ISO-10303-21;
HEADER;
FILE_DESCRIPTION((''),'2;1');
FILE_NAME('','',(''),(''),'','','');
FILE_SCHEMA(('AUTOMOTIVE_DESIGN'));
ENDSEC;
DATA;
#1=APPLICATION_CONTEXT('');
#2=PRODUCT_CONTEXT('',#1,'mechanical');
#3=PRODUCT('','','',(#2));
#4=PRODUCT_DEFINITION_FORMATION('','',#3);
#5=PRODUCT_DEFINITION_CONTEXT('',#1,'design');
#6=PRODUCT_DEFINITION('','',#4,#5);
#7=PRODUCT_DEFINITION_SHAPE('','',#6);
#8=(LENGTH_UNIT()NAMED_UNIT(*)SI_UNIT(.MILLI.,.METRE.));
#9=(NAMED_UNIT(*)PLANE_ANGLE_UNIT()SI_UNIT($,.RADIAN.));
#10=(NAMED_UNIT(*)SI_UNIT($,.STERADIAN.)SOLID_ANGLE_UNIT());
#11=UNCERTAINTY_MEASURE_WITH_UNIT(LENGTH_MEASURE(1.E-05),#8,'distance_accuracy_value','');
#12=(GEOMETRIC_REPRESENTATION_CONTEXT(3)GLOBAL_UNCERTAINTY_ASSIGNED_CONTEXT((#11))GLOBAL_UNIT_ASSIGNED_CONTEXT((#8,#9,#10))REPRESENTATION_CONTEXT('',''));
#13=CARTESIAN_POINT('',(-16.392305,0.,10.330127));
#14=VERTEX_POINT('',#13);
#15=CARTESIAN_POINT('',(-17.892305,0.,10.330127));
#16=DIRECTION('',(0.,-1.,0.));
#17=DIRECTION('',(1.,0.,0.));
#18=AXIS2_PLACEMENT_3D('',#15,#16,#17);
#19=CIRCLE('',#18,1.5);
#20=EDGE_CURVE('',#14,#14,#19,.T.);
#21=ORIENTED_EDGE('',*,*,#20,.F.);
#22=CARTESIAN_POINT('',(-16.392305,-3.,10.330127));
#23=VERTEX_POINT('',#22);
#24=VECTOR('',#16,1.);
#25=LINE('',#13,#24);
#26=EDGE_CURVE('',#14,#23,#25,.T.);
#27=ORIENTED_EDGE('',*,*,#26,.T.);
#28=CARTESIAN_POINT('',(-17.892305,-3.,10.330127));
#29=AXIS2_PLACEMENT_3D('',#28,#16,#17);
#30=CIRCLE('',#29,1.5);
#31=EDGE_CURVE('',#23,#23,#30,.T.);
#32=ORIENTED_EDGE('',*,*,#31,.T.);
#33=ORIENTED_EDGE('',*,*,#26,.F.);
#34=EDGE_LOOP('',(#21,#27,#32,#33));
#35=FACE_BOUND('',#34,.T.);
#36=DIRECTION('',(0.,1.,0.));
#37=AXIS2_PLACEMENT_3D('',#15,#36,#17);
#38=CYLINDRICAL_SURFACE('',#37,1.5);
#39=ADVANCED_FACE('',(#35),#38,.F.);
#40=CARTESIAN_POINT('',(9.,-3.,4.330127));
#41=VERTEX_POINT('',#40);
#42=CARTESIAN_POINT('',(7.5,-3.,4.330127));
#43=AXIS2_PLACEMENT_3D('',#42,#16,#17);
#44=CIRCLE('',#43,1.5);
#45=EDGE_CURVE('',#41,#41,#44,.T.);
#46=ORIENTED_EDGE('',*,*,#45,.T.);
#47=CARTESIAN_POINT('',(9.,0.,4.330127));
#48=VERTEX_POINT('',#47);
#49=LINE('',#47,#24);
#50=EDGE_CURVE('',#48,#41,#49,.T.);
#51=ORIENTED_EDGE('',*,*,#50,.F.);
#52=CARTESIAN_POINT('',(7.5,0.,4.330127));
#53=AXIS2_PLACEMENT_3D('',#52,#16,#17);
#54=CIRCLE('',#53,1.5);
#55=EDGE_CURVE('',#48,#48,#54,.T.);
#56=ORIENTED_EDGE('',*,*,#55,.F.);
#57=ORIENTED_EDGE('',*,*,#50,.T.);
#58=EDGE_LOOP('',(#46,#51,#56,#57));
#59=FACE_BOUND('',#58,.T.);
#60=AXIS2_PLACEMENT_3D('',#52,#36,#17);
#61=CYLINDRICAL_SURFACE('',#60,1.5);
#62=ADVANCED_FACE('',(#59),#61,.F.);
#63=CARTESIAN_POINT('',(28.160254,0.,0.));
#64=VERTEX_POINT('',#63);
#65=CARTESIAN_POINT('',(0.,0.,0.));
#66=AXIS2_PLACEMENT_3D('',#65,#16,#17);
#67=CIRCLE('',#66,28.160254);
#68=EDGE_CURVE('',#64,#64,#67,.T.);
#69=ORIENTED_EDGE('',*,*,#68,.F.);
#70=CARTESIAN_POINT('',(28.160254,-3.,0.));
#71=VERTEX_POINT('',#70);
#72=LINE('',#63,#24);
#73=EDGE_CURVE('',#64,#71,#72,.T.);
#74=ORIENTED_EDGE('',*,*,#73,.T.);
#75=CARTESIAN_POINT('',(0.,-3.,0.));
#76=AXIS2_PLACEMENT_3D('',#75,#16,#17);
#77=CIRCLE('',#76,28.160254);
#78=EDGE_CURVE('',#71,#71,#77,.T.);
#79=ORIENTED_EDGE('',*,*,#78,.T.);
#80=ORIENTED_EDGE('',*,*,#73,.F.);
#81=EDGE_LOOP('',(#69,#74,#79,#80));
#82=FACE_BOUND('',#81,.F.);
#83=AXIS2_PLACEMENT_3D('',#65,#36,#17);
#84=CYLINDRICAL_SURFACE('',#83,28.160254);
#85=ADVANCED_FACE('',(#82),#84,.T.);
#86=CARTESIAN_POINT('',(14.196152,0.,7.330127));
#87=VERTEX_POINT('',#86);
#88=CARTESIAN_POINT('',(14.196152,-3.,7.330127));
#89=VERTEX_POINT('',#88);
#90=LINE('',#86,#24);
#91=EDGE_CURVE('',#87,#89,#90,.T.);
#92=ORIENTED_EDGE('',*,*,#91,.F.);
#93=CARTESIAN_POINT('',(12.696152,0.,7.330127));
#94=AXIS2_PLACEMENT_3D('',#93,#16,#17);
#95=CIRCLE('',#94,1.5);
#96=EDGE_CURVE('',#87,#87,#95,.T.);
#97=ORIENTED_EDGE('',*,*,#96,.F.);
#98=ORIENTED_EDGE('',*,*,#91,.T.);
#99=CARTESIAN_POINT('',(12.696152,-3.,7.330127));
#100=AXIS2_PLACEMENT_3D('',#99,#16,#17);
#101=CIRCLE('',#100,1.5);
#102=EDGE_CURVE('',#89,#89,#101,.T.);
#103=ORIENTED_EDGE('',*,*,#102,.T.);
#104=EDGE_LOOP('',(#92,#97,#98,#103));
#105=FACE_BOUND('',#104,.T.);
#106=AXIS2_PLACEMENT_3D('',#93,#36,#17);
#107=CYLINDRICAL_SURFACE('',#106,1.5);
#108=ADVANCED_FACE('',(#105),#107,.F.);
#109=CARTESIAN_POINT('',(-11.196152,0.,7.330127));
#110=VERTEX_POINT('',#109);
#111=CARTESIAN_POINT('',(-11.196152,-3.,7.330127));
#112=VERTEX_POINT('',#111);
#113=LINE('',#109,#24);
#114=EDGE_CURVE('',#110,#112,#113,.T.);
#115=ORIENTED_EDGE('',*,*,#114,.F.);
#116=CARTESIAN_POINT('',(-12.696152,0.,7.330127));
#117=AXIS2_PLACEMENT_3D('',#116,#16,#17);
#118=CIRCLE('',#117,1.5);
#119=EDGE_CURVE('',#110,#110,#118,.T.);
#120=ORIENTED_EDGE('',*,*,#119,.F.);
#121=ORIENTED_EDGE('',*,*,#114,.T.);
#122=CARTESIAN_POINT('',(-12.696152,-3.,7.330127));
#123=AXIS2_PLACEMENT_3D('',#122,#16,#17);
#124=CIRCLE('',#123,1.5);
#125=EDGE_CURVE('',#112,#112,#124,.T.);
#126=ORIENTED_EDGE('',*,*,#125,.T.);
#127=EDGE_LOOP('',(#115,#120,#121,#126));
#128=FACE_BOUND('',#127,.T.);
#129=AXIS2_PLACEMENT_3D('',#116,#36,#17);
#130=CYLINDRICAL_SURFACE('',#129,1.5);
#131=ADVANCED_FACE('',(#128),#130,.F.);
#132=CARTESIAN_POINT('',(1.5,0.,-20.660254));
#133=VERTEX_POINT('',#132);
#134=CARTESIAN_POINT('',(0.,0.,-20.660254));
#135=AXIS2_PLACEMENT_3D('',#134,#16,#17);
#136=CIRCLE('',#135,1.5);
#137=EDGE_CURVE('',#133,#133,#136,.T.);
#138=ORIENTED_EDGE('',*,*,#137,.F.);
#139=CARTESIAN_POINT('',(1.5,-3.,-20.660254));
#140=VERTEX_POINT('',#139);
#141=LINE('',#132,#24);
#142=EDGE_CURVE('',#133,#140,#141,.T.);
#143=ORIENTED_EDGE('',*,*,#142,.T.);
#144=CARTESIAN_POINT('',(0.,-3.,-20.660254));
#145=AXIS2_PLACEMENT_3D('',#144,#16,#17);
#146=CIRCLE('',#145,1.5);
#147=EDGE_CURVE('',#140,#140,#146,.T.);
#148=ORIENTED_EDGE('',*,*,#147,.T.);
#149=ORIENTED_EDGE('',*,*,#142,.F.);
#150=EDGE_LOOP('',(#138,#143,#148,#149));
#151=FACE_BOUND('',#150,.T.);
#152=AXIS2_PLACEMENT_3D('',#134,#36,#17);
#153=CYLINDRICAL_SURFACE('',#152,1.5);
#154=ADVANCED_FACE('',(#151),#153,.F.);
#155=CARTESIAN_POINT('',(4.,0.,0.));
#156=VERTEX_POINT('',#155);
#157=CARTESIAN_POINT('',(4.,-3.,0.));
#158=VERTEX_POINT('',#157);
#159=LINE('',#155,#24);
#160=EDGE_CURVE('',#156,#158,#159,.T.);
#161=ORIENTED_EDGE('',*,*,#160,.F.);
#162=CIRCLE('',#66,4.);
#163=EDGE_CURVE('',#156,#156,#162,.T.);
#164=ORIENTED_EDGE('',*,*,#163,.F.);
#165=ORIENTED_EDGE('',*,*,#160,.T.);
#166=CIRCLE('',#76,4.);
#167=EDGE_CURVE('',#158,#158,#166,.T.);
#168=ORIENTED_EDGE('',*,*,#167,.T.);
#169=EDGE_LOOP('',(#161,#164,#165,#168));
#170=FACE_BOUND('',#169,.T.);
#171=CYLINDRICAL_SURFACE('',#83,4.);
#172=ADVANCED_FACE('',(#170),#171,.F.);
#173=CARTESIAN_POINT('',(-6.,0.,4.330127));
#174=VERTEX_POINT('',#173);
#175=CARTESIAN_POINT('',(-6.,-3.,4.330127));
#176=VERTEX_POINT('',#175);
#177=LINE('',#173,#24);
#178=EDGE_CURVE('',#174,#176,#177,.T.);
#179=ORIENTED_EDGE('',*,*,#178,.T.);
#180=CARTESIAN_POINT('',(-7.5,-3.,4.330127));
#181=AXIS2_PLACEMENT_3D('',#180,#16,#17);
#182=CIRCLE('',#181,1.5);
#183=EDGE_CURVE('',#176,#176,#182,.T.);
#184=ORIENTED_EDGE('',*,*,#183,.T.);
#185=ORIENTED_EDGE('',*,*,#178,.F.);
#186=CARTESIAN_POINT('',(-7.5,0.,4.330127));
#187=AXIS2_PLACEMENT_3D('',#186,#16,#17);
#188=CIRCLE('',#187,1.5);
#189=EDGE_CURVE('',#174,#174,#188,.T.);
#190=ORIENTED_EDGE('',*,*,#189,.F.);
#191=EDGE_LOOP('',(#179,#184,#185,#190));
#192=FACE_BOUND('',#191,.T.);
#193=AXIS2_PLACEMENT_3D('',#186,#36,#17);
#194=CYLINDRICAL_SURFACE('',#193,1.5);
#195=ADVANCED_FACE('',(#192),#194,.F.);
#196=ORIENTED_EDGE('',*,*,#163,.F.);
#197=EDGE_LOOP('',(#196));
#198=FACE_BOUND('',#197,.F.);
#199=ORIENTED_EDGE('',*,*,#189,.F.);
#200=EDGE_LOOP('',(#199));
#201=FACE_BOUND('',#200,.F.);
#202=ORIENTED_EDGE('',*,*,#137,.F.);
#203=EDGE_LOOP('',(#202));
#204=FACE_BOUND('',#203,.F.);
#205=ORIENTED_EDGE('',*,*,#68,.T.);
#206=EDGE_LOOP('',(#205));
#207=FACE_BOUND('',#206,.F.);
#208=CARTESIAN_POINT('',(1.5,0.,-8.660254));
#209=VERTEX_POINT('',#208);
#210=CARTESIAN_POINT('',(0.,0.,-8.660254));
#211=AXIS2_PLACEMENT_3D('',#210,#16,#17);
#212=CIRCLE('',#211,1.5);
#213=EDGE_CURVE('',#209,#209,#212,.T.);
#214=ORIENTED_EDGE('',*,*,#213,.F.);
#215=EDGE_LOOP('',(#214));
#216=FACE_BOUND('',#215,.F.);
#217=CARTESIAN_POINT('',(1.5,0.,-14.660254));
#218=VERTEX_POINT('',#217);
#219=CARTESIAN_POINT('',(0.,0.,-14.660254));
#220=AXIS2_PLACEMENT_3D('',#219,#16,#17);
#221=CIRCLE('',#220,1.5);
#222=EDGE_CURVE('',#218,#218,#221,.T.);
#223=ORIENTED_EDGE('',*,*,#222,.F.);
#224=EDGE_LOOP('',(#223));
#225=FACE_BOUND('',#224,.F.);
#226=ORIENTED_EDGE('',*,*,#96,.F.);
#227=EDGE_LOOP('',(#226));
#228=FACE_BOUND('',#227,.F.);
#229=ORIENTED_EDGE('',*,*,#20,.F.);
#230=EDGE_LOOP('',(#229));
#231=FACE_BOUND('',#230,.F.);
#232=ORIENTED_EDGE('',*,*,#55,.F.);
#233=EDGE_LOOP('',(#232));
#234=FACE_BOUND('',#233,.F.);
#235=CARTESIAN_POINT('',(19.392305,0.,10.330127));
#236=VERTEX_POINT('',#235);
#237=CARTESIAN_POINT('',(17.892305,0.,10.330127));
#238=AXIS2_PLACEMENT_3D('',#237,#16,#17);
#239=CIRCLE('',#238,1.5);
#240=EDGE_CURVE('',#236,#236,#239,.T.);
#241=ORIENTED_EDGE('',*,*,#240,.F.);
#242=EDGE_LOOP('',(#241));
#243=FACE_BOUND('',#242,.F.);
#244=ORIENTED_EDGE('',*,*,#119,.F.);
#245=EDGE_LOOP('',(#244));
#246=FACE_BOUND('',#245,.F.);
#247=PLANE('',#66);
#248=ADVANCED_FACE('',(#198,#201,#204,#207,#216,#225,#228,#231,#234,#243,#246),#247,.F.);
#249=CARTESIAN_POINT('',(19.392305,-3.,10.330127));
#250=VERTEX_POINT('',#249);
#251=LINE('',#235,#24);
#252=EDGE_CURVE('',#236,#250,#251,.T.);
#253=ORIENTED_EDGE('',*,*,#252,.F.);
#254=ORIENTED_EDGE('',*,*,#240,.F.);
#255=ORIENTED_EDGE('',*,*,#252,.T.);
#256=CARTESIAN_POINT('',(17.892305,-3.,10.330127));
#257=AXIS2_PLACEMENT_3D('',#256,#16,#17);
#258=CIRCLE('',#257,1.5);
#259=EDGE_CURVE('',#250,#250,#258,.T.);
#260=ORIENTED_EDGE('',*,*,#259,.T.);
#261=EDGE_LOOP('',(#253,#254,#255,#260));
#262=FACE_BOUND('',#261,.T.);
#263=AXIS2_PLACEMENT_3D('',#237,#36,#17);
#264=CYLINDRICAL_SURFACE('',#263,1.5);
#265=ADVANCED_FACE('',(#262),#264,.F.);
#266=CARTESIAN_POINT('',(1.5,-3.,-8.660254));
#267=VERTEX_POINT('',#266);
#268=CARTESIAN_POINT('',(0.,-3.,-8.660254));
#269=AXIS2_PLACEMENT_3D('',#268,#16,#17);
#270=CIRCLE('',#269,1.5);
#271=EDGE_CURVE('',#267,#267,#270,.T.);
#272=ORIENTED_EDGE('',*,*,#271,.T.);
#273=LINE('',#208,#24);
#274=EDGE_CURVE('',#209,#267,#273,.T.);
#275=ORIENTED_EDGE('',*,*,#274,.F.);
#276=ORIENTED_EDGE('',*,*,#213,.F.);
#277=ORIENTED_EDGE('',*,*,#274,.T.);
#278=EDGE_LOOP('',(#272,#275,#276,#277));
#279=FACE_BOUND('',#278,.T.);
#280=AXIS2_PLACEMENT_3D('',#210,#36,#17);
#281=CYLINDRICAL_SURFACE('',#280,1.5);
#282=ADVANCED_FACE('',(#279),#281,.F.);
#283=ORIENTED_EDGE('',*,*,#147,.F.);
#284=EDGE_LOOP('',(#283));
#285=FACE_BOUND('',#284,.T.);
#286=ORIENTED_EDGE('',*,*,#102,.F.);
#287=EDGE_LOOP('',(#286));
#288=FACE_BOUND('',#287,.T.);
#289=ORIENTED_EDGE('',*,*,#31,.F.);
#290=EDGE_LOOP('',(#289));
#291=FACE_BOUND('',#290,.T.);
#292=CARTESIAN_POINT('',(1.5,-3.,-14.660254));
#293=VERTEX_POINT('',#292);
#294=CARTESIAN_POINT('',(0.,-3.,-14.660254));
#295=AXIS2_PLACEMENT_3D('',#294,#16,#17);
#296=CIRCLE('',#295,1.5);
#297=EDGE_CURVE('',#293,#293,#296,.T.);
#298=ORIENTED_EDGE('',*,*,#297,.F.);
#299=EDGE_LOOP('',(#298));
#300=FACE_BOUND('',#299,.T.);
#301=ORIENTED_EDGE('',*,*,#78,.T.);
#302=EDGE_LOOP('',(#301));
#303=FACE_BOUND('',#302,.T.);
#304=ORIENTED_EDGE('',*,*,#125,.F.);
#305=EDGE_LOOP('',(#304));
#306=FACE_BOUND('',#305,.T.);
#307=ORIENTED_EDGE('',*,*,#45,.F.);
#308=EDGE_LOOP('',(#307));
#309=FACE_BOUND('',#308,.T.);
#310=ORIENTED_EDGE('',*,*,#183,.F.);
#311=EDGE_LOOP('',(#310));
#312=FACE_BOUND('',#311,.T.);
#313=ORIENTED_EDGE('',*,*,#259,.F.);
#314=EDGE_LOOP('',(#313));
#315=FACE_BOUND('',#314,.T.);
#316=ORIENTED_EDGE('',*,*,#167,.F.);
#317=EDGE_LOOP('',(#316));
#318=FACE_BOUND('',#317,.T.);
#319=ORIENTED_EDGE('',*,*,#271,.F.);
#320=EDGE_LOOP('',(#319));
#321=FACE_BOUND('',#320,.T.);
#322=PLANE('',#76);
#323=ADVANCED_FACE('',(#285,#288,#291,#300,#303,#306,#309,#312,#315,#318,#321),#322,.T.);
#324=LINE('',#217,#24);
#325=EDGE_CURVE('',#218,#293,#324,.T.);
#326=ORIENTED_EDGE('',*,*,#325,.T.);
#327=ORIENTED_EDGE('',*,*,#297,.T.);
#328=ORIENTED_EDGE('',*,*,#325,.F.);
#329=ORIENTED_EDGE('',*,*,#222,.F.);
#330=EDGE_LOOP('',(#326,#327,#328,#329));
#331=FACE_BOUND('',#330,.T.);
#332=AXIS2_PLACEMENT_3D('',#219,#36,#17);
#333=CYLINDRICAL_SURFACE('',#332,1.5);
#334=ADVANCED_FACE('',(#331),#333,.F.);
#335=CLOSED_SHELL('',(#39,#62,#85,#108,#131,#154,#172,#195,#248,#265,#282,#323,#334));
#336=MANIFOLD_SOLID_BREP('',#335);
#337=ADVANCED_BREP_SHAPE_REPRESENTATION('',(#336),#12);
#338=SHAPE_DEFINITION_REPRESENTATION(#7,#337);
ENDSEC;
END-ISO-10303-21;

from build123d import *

# Parameters (mm, degrees)
F0_R     = 28.160254
F0_R_2   = 1.5
F0_R_3   = 4
F1_DEPTH = 3


with BuildPart() as f1:
    # F0 (on Front) → F1 (new body)
    with BuildSketch(Plane.XZ):
        Circle(F0_R)
        with Locations((0, -20.660254)):
            Circle(F0_R_2, mode=Mode.SUBTRACT)
        with Locations((0, -14.660254)):
            Circle(F0_R_2, mode=Mode.SUBTRACT)
        with Locations((0, -8.660254)):
            Circle(F0_R_2, mode=Mode.SUBTRACT)
        with Locations((-17.892305, 10.330127)):
            Circle(F0_R_2, mode=Mode.SUBTRACT)
        with Locations((-7.5, 4.330127)):
            Circle(F0_R_2, mode=Mode.SUBTRACT)
        with Locations((-12.696152, 7.330127)):
            Circle(F0_R_2, mode=Mode.SUBTRACT)
        Circle(F0_R_3, mode=Mode.SUBTRACT)
        with Locations((7.5, 4.330127)):
            Circle(F0_R_2, mode=Mode.SUBTRACT)
        with Locations((12.696152, 7.330127)):
            Circle(F0_R_2, mode=Mode.SUBTRACT)
        with Locations((17.892305, 10.330127)):
            Circle(F0_R_2, mode=Mode.SUBTRACT)
    extrude(amount=F1_DEPTH)


solid = f1.part
